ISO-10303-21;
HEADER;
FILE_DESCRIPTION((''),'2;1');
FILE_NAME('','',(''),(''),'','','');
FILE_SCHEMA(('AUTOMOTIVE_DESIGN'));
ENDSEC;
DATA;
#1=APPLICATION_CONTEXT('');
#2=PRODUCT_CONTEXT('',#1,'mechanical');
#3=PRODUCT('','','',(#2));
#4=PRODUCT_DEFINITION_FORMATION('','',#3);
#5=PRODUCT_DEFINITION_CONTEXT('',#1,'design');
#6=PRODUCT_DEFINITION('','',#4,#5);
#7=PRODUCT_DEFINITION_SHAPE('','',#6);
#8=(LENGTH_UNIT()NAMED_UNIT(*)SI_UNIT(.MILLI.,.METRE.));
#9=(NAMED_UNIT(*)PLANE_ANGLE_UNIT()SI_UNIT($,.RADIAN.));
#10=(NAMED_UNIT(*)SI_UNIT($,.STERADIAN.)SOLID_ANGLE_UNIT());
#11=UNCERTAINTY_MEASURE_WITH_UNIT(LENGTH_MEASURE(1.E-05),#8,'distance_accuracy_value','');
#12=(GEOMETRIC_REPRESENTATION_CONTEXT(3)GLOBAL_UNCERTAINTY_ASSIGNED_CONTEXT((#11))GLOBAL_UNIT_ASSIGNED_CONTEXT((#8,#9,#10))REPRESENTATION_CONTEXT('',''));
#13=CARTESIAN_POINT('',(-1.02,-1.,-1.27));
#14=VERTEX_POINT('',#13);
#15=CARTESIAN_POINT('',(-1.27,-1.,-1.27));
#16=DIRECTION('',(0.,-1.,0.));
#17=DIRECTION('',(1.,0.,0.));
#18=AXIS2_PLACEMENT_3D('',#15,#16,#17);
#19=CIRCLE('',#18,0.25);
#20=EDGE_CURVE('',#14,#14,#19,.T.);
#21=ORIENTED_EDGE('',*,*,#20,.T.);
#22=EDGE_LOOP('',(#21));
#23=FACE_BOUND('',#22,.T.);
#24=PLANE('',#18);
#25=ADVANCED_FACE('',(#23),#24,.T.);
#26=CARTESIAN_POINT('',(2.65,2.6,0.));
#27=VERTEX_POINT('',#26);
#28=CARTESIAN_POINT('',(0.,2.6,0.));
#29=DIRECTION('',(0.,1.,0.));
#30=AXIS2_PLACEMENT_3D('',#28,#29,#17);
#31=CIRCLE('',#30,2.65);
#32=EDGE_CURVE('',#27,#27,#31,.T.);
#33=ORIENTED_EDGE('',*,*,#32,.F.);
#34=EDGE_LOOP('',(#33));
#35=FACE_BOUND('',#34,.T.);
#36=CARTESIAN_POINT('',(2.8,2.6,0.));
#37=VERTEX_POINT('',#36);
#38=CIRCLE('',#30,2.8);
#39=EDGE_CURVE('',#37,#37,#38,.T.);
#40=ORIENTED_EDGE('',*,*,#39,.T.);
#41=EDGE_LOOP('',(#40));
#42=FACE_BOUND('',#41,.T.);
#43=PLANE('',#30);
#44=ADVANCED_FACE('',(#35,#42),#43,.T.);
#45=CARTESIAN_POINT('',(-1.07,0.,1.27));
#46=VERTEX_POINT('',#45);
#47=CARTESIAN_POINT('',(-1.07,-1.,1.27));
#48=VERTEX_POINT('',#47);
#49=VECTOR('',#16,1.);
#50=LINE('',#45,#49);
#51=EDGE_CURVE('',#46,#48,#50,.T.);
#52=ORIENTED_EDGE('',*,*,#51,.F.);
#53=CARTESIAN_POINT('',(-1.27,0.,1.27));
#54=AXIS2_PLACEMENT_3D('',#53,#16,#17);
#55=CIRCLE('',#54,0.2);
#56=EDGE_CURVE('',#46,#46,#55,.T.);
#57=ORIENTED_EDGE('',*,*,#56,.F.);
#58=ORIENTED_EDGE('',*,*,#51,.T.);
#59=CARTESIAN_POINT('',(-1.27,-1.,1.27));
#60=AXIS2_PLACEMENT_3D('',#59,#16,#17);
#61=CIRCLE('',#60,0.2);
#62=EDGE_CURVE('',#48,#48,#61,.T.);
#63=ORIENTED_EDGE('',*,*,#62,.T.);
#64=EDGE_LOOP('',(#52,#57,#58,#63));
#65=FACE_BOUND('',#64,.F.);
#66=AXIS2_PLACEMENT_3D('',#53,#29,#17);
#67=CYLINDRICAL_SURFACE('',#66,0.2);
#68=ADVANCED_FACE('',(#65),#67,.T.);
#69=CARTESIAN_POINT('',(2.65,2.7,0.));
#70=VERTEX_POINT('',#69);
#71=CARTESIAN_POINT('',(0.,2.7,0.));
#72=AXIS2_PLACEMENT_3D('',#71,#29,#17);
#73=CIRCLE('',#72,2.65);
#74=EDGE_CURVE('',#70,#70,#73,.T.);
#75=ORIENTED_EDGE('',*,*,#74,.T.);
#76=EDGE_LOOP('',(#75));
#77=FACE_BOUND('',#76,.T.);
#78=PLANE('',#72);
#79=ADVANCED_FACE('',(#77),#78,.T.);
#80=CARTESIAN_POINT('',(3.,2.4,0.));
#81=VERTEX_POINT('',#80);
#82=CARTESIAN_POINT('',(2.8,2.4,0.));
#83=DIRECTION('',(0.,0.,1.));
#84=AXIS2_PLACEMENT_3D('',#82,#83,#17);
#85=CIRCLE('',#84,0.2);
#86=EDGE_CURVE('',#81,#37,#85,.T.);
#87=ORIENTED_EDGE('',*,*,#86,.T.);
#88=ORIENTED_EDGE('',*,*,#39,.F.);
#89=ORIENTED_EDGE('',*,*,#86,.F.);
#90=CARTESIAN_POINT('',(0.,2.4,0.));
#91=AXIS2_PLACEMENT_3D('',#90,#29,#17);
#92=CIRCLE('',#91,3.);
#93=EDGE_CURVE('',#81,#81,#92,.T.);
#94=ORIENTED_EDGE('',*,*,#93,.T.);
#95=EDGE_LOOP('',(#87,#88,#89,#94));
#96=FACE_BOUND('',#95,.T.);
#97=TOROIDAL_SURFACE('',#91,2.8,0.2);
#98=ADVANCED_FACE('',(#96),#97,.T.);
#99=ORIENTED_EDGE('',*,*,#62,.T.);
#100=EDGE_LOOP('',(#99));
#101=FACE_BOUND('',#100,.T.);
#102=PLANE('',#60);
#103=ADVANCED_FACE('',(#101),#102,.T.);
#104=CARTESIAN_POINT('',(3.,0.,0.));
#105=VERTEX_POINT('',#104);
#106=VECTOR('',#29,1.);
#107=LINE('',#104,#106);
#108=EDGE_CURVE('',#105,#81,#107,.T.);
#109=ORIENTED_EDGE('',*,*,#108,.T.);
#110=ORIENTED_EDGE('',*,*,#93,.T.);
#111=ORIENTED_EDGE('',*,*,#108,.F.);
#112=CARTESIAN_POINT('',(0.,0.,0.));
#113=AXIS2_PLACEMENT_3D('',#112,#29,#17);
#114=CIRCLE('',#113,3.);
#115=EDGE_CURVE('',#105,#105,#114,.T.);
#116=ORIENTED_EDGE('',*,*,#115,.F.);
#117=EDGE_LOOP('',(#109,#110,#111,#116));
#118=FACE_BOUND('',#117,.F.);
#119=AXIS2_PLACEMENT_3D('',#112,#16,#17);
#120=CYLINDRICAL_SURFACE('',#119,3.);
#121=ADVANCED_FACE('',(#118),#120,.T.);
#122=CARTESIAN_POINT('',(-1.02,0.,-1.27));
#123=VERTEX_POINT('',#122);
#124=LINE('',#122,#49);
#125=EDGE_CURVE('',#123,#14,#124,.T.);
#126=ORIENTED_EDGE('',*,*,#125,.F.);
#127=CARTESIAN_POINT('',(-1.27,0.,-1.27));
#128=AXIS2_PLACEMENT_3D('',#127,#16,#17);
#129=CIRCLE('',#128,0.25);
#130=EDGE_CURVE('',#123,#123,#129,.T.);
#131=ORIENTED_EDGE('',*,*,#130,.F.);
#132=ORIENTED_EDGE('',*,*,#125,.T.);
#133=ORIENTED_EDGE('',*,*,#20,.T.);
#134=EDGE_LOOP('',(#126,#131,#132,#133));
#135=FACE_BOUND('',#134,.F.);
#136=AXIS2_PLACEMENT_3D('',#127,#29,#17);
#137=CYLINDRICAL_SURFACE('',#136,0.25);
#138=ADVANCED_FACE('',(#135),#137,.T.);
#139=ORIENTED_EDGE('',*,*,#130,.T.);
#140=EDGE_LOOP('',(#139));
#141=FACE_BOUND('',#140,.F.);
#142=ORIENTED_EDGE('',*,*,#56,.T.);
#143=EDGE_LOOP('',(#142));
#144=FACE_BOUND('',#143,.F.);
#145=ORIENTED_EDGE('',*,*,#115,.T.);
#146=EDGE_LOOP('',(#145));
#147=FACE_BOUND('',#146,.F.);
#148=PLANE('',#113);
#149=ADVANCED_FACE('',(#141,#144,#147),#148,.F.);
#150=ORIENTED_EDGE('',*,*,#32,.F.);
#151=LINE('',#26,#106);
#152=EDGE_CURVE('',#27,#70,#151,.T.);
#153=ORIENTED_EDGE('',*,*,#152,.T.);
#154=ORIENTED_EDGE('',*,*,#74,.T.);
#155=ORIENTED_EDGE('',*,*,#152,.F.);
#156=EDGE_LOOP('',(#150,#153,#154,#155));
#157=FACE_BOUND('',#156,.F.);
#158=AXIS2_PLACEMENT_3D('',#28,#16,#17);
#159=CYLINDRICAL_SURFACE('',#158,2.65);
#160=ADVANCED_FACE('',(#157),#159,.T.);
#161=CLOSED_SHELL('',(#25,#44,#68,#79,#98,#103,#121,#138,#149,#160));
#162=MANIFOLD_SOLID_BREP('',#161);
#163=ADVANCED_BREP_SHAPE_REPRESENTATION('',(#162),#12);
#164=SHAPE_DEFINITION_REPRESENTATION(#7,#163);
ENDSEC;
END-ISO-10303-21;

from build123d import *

# Parameters (mm, degrees)
SKETCH1_R           = 3
BOSS_EXTRUDE1_DEPTH = 2.6
FILLET1_R           = 0.2
SKETCH2_R           = 2.65
BOSS_EXTRUDE2_DEPTH = 0.1
SKETCH3_R           = 0.2
SKETCH3_R_2         = 0.25
BOSS_EXTRUDE3_DEPTH = 1


with BuildPart() as part:
    # Sketch1 → Boss-Extrude1 (new body)
    with BuildSketch(Plane(origin=(0, 0, 0), x_dir=(1, 0, 0), z_dir=(0, 1, 0))):
        Circle(SKETCH1_R)
    extrude(amount=BOSS_EXTRUDE1_DEPTH)

    # Fillet1
    fillet1_edges = [part.edges().sort_by_distance(p)[0] for p in [
        (-3, 2.6, 0),
    ]]
    fillet(fillet1_edges, radius=FILLET1_R)

    # Sketch2 → Boss-Extrude2 (add)
    with BuildSketch(Plane(origin=(0, 2.6, 0), x_dir=(1, 0, 0), z_dir=(0, 1, 0))):
        Circle(SKETCH2_R)
    extrude(amount=BOSS_EXTRUDE2_DEPTH)

    # Sketch3 → Boss-Extrude3 (add)
    with BuildSketch(Plane.XZ):
        with Locations((-1.27, 1.27)):
            Circle(SKETCH3_R)
        with Locations((-1.27, -1.27)):
            Circle(SKETCH3_R_2)
    extrude(amount=BOSS_EXTRUDE3_DEPTH)


solid = part.part
